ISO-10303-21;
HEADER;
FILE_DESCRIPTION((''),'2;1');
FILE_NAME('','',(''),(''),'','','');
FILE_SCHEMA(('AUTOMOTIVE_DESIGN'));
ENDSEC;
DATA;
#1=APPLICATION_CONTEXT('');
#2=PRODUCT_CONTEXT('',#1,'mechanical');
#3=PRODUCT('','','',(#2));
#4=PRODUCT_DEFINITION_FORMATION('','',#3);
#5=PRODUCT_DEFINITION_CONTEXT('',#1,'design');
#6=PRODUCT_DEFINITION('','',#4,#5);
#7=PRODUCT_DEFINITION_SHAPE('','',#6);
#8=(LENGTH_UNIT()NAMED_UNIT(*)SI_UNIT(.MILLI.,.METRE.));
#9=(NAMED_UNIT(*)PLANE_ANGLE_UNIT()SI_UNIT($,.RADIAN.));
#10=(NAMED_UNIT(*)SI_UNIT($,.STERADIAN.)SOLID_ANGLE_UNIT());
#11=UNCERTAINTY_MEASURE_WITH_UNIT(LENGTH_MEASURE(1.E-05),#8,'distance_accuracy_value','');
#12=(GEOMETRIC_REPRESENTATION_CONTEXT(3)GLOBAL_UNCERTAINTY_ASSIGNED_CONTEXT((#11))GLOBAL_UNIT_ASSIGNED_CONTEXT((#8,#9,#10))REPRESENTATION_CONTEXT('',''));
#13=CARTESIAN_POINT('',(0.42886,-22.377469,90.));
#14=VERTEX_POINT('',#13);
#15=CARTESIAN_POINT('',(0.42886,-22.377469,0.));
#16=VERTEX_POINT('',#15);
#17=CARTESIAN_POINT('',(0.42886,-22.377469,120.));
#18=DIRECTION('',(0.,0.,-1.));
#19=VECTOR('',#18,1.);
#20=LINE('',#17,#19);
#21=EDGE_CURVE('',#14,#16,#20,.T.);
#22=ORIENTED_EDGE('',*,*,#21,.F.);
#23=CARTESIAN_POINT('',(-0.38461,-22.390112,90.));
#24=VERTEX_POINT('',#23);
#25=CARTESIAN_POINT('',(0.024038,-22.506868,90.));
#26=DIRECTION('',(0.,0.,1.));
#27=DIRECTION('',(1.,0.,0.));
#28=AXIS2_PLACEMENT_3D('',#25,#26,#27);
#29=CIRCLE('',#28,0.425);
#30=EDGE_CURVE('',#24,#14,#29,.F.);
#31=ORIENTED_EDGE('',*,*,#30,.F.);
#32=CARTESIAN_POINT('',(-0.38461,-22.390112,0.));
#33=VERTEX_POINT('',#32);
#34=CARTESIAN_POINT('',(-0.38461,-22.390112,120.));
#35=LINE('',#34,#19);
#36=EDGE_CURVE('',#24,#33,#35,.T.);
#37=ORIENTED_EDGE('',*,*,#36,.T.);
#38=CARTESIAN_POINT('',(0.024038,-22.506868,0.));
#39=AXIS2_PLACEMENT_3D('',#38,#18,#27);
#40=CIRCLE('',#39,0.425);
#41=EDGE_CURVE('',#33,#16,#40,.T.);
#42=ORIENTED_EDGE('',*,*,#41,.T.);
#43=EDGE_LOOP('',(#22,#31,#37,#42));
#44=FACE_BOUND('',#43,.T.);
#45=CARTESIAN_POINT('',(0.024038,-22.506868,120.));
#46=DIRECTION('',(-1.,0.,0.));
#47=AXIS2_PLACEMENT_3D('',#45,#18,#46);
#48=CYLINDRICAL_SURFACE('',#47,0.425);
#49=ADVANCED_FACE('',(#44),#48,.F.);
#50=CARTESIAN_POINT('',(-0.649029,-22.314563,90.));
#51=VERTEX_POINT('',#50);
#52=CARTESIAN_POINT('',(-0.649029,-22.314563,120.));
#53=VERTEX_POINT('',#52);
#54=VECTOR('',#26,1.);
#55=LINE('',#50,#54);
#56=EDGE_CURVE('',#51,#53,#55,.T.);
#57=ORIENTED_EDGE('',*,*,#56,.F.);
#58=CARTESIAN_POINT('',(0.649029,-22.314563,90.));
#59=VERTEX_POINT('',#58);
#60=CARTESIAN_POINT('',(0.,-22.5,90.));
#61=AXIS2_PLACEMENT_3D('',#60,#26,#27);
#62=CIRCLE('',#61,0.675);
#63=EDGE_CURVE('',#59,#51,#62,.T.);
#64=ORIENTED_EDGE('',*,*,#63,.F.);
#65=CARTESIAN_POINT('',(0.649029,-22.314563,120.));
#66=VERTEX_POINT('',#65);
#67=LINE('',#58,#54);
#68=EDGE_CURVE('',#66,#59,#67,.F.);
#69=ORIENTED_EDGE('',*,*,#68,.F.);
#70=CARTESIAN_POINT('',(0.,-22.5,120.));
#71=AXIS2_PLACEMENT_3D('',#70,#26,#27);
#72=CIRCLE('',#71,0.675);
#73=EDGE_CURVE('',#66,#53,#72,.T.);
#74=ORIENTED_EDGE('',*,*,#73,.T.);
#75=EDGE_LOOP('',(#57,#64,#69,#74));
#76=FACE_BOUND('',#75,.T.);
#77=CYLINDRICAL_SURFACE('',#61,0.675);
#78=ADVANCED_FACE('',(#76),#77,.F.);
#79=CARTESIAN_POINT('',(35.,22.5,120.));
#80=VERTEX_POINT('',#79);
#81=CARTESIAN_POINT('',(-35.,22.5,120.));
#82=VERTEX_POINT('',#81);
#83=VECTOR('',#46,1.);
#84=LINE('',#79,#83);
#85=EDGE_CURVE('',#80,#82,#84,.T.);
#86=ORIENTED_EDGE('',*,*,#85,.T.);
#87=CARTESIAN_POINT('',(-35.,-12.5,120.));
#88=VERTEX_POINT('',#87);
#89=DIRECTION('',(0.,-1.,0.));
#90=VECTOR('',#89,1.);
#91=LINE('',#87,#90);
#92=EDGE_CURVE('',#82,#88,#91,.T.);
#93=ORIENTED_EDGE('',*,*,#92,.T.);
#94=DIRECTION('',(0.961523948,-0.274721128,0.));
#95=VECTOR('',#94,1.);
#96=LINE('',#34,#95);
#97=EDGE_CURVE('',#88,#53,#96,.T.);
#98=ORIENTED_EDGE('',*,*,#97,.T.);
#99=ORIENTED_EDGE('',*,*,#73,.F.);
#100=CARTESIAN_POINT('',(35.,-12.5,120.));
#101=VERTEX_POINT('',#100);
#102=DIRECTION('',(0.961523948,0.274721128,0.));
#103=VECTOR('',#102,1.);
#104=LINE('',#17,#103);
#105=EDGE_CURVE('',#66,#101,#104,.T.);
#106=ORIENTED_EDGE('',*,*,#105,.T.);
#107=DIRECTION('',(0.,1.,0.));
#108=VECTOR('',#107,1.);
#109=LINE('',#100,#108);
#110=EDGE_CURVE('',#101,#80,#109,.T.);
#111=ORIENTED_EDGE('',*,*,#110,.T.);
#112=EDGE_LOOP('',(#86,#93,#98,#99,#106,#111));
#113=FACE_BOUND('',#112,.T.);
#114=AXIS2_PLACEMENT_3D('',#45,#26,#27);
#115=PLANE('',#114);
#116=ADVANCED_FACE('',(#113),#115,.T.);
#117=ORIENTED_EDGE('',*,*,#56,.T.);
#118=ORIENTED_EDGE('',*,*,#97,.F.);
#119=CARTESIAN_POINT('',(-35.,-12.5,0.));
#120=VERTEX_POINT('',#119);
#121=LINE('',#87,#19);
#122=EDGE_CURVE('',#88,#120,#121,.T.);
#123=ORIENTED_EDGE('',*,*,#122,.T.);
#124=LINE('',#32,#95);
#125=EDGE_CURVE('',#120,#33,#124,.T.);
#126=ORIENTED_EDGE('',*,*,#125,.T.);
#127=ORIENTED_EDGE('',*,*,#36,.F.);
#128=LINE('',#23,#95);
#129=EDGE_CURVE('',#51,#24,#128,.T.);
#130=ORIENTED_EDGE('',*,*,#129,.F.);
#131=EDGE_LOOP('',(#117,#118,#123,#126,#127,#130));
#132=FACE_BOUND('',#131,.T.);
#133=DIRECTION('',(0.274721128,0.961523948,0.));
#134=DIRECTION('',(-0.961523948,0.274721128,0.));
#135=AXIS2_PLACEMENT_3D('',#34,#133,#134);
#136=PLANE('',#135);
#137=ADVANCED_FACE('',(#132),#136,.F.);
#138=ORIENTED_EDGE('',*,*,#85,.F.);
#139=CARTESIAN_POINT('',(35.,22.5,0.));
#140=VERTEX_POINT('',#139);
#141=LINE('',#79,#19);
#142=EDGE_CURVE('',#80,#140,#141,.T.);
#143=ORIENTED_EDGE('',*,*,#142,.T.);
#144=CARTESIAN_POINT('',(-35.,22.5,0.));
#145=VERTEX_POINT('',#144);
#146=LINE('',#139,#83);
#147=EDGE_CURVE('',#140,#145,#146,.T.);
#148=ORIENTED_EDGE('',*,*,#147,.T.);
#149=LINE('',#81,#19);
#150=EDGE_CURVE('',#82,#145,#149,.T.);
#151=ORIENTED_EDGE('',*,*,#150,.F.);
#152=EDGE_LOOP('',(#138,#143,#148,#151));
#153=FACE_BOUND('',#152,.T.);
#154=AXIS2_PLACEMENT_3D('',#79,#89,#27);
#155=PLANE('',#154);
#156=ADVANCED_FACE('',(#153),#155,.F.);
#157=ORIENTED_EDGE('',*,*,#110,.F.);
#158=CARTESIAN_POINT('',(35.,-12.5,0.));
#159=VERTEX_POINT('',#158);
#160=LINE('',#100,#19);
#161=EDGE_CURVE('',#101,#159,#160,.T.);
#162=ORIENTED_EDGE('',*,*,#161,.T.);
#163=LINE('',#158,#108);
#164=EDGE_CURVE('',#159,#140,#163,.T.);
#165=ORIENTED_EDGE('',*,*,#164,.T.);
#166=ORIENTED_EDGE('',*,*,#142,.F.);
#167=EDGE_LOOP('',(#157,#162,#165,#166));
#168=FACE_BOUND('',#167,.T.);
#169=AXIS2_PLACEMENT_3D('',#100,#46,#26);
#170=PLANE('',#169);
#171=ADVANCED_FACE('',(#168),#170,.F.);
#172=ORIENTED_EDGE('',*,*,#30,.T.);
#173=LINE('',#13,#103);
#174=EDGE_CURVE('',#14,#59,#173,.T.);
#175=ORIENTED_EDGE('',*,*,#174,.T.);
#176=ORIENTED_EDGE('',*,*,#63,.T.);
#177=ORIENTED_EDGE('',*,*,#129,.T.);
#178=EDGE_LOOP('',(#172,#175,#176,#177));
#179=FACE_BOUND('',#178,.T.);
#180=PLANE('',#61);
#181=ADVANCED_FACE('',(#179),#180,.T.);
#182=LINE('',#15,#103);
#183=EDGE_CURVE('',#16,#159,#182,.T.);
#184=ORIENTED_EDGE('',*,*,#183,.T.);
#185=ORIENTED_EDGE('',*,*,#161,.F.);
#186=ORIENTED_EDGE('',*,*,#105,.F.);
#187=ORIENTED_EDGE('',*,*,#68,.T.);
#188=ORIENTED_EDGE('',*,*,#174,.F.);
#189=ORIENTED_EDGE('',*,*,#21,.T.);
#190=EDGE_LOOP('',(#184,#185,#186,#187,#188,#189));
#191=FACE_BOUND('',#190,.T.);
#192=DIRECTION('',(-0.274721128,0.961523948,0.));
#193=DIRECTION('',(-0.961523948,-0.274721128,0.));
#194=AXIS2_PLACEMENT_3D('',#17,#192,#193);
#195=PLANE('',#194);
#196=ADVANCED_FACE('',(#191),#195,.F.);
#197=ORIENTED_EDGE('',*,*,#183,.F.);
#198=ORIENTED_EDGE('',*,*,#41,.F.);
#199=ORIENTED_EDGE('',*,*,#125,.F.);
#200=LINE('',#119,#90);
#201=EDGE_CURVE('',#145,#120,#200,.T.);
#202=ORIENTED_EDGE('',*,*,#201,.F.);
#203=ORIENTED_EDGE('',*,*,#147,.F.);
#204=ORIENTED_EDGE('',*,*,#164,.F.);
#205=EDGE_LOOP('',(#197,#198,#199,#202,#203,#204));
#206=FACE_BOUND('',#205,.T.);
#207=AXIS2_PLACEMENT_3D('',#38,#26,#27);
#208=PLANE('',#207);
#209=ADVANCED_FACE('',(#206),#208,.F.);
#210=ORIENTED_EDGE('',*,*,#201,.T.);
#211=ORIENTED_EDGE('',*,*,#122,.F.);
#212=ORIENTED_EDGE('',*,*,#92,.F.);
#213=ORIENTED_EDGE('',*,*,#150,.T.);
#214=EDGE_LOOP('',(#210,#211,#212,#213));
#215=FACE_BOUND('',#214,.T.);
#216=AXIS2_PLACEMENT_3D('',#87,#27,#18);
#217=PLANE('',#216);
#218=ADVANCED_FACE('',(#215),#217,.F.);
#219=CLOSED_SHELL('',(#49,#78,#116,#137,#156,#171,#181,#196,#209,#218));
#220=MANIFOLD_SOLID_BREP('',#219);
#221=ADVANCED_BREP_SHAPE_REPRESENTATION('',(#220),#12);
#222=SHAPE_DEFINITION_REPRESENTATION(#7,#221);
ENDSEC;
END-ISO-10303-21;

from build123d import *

# Parameters (mm, degrees)
RESSALTO_EXTRUS_O1_DEPTH = 120
ESBO_O3_R                = 0.675
CORTE_EXTRUS_O1_DEPTH    = 30


with BuildPart() as part:
    # Esboço1 → Ressalto-extrusão1 (new body)
    with BuildSketch(Plane.XY):
        with BuildLine():
            Line((35, -12.5), (35, 22.5))
            Line((35, 22.5), (-35, 22.5))
            Line((-35, 22.5), (-35, -12.5))
            Line((-35, -12.5), (-0.384609579, -22.390111549))
            ThreePointArc((-0.384609579, -22.390111549), (0.017433528, -22.081919349), (0.42886001, -22.377468569))
            Line((0.42886001, -22.377468569), (35, -12.5))
        make_face()
    extrude(amount=RESSALTO_EXTRUS_O1_DEPTH)

    # Esboço3 → Corte-extrusão1 (cut)
    with BuildSketch(Plane.XY.offset(120)):
        with Locations((0, -22.5)):
            Circle(ESBO_O3_R)
    extrude(amount=-CORTE_EXTRUS_O1_DEPTH, mode=Mode.SUBTRACT)


solid = part.part
